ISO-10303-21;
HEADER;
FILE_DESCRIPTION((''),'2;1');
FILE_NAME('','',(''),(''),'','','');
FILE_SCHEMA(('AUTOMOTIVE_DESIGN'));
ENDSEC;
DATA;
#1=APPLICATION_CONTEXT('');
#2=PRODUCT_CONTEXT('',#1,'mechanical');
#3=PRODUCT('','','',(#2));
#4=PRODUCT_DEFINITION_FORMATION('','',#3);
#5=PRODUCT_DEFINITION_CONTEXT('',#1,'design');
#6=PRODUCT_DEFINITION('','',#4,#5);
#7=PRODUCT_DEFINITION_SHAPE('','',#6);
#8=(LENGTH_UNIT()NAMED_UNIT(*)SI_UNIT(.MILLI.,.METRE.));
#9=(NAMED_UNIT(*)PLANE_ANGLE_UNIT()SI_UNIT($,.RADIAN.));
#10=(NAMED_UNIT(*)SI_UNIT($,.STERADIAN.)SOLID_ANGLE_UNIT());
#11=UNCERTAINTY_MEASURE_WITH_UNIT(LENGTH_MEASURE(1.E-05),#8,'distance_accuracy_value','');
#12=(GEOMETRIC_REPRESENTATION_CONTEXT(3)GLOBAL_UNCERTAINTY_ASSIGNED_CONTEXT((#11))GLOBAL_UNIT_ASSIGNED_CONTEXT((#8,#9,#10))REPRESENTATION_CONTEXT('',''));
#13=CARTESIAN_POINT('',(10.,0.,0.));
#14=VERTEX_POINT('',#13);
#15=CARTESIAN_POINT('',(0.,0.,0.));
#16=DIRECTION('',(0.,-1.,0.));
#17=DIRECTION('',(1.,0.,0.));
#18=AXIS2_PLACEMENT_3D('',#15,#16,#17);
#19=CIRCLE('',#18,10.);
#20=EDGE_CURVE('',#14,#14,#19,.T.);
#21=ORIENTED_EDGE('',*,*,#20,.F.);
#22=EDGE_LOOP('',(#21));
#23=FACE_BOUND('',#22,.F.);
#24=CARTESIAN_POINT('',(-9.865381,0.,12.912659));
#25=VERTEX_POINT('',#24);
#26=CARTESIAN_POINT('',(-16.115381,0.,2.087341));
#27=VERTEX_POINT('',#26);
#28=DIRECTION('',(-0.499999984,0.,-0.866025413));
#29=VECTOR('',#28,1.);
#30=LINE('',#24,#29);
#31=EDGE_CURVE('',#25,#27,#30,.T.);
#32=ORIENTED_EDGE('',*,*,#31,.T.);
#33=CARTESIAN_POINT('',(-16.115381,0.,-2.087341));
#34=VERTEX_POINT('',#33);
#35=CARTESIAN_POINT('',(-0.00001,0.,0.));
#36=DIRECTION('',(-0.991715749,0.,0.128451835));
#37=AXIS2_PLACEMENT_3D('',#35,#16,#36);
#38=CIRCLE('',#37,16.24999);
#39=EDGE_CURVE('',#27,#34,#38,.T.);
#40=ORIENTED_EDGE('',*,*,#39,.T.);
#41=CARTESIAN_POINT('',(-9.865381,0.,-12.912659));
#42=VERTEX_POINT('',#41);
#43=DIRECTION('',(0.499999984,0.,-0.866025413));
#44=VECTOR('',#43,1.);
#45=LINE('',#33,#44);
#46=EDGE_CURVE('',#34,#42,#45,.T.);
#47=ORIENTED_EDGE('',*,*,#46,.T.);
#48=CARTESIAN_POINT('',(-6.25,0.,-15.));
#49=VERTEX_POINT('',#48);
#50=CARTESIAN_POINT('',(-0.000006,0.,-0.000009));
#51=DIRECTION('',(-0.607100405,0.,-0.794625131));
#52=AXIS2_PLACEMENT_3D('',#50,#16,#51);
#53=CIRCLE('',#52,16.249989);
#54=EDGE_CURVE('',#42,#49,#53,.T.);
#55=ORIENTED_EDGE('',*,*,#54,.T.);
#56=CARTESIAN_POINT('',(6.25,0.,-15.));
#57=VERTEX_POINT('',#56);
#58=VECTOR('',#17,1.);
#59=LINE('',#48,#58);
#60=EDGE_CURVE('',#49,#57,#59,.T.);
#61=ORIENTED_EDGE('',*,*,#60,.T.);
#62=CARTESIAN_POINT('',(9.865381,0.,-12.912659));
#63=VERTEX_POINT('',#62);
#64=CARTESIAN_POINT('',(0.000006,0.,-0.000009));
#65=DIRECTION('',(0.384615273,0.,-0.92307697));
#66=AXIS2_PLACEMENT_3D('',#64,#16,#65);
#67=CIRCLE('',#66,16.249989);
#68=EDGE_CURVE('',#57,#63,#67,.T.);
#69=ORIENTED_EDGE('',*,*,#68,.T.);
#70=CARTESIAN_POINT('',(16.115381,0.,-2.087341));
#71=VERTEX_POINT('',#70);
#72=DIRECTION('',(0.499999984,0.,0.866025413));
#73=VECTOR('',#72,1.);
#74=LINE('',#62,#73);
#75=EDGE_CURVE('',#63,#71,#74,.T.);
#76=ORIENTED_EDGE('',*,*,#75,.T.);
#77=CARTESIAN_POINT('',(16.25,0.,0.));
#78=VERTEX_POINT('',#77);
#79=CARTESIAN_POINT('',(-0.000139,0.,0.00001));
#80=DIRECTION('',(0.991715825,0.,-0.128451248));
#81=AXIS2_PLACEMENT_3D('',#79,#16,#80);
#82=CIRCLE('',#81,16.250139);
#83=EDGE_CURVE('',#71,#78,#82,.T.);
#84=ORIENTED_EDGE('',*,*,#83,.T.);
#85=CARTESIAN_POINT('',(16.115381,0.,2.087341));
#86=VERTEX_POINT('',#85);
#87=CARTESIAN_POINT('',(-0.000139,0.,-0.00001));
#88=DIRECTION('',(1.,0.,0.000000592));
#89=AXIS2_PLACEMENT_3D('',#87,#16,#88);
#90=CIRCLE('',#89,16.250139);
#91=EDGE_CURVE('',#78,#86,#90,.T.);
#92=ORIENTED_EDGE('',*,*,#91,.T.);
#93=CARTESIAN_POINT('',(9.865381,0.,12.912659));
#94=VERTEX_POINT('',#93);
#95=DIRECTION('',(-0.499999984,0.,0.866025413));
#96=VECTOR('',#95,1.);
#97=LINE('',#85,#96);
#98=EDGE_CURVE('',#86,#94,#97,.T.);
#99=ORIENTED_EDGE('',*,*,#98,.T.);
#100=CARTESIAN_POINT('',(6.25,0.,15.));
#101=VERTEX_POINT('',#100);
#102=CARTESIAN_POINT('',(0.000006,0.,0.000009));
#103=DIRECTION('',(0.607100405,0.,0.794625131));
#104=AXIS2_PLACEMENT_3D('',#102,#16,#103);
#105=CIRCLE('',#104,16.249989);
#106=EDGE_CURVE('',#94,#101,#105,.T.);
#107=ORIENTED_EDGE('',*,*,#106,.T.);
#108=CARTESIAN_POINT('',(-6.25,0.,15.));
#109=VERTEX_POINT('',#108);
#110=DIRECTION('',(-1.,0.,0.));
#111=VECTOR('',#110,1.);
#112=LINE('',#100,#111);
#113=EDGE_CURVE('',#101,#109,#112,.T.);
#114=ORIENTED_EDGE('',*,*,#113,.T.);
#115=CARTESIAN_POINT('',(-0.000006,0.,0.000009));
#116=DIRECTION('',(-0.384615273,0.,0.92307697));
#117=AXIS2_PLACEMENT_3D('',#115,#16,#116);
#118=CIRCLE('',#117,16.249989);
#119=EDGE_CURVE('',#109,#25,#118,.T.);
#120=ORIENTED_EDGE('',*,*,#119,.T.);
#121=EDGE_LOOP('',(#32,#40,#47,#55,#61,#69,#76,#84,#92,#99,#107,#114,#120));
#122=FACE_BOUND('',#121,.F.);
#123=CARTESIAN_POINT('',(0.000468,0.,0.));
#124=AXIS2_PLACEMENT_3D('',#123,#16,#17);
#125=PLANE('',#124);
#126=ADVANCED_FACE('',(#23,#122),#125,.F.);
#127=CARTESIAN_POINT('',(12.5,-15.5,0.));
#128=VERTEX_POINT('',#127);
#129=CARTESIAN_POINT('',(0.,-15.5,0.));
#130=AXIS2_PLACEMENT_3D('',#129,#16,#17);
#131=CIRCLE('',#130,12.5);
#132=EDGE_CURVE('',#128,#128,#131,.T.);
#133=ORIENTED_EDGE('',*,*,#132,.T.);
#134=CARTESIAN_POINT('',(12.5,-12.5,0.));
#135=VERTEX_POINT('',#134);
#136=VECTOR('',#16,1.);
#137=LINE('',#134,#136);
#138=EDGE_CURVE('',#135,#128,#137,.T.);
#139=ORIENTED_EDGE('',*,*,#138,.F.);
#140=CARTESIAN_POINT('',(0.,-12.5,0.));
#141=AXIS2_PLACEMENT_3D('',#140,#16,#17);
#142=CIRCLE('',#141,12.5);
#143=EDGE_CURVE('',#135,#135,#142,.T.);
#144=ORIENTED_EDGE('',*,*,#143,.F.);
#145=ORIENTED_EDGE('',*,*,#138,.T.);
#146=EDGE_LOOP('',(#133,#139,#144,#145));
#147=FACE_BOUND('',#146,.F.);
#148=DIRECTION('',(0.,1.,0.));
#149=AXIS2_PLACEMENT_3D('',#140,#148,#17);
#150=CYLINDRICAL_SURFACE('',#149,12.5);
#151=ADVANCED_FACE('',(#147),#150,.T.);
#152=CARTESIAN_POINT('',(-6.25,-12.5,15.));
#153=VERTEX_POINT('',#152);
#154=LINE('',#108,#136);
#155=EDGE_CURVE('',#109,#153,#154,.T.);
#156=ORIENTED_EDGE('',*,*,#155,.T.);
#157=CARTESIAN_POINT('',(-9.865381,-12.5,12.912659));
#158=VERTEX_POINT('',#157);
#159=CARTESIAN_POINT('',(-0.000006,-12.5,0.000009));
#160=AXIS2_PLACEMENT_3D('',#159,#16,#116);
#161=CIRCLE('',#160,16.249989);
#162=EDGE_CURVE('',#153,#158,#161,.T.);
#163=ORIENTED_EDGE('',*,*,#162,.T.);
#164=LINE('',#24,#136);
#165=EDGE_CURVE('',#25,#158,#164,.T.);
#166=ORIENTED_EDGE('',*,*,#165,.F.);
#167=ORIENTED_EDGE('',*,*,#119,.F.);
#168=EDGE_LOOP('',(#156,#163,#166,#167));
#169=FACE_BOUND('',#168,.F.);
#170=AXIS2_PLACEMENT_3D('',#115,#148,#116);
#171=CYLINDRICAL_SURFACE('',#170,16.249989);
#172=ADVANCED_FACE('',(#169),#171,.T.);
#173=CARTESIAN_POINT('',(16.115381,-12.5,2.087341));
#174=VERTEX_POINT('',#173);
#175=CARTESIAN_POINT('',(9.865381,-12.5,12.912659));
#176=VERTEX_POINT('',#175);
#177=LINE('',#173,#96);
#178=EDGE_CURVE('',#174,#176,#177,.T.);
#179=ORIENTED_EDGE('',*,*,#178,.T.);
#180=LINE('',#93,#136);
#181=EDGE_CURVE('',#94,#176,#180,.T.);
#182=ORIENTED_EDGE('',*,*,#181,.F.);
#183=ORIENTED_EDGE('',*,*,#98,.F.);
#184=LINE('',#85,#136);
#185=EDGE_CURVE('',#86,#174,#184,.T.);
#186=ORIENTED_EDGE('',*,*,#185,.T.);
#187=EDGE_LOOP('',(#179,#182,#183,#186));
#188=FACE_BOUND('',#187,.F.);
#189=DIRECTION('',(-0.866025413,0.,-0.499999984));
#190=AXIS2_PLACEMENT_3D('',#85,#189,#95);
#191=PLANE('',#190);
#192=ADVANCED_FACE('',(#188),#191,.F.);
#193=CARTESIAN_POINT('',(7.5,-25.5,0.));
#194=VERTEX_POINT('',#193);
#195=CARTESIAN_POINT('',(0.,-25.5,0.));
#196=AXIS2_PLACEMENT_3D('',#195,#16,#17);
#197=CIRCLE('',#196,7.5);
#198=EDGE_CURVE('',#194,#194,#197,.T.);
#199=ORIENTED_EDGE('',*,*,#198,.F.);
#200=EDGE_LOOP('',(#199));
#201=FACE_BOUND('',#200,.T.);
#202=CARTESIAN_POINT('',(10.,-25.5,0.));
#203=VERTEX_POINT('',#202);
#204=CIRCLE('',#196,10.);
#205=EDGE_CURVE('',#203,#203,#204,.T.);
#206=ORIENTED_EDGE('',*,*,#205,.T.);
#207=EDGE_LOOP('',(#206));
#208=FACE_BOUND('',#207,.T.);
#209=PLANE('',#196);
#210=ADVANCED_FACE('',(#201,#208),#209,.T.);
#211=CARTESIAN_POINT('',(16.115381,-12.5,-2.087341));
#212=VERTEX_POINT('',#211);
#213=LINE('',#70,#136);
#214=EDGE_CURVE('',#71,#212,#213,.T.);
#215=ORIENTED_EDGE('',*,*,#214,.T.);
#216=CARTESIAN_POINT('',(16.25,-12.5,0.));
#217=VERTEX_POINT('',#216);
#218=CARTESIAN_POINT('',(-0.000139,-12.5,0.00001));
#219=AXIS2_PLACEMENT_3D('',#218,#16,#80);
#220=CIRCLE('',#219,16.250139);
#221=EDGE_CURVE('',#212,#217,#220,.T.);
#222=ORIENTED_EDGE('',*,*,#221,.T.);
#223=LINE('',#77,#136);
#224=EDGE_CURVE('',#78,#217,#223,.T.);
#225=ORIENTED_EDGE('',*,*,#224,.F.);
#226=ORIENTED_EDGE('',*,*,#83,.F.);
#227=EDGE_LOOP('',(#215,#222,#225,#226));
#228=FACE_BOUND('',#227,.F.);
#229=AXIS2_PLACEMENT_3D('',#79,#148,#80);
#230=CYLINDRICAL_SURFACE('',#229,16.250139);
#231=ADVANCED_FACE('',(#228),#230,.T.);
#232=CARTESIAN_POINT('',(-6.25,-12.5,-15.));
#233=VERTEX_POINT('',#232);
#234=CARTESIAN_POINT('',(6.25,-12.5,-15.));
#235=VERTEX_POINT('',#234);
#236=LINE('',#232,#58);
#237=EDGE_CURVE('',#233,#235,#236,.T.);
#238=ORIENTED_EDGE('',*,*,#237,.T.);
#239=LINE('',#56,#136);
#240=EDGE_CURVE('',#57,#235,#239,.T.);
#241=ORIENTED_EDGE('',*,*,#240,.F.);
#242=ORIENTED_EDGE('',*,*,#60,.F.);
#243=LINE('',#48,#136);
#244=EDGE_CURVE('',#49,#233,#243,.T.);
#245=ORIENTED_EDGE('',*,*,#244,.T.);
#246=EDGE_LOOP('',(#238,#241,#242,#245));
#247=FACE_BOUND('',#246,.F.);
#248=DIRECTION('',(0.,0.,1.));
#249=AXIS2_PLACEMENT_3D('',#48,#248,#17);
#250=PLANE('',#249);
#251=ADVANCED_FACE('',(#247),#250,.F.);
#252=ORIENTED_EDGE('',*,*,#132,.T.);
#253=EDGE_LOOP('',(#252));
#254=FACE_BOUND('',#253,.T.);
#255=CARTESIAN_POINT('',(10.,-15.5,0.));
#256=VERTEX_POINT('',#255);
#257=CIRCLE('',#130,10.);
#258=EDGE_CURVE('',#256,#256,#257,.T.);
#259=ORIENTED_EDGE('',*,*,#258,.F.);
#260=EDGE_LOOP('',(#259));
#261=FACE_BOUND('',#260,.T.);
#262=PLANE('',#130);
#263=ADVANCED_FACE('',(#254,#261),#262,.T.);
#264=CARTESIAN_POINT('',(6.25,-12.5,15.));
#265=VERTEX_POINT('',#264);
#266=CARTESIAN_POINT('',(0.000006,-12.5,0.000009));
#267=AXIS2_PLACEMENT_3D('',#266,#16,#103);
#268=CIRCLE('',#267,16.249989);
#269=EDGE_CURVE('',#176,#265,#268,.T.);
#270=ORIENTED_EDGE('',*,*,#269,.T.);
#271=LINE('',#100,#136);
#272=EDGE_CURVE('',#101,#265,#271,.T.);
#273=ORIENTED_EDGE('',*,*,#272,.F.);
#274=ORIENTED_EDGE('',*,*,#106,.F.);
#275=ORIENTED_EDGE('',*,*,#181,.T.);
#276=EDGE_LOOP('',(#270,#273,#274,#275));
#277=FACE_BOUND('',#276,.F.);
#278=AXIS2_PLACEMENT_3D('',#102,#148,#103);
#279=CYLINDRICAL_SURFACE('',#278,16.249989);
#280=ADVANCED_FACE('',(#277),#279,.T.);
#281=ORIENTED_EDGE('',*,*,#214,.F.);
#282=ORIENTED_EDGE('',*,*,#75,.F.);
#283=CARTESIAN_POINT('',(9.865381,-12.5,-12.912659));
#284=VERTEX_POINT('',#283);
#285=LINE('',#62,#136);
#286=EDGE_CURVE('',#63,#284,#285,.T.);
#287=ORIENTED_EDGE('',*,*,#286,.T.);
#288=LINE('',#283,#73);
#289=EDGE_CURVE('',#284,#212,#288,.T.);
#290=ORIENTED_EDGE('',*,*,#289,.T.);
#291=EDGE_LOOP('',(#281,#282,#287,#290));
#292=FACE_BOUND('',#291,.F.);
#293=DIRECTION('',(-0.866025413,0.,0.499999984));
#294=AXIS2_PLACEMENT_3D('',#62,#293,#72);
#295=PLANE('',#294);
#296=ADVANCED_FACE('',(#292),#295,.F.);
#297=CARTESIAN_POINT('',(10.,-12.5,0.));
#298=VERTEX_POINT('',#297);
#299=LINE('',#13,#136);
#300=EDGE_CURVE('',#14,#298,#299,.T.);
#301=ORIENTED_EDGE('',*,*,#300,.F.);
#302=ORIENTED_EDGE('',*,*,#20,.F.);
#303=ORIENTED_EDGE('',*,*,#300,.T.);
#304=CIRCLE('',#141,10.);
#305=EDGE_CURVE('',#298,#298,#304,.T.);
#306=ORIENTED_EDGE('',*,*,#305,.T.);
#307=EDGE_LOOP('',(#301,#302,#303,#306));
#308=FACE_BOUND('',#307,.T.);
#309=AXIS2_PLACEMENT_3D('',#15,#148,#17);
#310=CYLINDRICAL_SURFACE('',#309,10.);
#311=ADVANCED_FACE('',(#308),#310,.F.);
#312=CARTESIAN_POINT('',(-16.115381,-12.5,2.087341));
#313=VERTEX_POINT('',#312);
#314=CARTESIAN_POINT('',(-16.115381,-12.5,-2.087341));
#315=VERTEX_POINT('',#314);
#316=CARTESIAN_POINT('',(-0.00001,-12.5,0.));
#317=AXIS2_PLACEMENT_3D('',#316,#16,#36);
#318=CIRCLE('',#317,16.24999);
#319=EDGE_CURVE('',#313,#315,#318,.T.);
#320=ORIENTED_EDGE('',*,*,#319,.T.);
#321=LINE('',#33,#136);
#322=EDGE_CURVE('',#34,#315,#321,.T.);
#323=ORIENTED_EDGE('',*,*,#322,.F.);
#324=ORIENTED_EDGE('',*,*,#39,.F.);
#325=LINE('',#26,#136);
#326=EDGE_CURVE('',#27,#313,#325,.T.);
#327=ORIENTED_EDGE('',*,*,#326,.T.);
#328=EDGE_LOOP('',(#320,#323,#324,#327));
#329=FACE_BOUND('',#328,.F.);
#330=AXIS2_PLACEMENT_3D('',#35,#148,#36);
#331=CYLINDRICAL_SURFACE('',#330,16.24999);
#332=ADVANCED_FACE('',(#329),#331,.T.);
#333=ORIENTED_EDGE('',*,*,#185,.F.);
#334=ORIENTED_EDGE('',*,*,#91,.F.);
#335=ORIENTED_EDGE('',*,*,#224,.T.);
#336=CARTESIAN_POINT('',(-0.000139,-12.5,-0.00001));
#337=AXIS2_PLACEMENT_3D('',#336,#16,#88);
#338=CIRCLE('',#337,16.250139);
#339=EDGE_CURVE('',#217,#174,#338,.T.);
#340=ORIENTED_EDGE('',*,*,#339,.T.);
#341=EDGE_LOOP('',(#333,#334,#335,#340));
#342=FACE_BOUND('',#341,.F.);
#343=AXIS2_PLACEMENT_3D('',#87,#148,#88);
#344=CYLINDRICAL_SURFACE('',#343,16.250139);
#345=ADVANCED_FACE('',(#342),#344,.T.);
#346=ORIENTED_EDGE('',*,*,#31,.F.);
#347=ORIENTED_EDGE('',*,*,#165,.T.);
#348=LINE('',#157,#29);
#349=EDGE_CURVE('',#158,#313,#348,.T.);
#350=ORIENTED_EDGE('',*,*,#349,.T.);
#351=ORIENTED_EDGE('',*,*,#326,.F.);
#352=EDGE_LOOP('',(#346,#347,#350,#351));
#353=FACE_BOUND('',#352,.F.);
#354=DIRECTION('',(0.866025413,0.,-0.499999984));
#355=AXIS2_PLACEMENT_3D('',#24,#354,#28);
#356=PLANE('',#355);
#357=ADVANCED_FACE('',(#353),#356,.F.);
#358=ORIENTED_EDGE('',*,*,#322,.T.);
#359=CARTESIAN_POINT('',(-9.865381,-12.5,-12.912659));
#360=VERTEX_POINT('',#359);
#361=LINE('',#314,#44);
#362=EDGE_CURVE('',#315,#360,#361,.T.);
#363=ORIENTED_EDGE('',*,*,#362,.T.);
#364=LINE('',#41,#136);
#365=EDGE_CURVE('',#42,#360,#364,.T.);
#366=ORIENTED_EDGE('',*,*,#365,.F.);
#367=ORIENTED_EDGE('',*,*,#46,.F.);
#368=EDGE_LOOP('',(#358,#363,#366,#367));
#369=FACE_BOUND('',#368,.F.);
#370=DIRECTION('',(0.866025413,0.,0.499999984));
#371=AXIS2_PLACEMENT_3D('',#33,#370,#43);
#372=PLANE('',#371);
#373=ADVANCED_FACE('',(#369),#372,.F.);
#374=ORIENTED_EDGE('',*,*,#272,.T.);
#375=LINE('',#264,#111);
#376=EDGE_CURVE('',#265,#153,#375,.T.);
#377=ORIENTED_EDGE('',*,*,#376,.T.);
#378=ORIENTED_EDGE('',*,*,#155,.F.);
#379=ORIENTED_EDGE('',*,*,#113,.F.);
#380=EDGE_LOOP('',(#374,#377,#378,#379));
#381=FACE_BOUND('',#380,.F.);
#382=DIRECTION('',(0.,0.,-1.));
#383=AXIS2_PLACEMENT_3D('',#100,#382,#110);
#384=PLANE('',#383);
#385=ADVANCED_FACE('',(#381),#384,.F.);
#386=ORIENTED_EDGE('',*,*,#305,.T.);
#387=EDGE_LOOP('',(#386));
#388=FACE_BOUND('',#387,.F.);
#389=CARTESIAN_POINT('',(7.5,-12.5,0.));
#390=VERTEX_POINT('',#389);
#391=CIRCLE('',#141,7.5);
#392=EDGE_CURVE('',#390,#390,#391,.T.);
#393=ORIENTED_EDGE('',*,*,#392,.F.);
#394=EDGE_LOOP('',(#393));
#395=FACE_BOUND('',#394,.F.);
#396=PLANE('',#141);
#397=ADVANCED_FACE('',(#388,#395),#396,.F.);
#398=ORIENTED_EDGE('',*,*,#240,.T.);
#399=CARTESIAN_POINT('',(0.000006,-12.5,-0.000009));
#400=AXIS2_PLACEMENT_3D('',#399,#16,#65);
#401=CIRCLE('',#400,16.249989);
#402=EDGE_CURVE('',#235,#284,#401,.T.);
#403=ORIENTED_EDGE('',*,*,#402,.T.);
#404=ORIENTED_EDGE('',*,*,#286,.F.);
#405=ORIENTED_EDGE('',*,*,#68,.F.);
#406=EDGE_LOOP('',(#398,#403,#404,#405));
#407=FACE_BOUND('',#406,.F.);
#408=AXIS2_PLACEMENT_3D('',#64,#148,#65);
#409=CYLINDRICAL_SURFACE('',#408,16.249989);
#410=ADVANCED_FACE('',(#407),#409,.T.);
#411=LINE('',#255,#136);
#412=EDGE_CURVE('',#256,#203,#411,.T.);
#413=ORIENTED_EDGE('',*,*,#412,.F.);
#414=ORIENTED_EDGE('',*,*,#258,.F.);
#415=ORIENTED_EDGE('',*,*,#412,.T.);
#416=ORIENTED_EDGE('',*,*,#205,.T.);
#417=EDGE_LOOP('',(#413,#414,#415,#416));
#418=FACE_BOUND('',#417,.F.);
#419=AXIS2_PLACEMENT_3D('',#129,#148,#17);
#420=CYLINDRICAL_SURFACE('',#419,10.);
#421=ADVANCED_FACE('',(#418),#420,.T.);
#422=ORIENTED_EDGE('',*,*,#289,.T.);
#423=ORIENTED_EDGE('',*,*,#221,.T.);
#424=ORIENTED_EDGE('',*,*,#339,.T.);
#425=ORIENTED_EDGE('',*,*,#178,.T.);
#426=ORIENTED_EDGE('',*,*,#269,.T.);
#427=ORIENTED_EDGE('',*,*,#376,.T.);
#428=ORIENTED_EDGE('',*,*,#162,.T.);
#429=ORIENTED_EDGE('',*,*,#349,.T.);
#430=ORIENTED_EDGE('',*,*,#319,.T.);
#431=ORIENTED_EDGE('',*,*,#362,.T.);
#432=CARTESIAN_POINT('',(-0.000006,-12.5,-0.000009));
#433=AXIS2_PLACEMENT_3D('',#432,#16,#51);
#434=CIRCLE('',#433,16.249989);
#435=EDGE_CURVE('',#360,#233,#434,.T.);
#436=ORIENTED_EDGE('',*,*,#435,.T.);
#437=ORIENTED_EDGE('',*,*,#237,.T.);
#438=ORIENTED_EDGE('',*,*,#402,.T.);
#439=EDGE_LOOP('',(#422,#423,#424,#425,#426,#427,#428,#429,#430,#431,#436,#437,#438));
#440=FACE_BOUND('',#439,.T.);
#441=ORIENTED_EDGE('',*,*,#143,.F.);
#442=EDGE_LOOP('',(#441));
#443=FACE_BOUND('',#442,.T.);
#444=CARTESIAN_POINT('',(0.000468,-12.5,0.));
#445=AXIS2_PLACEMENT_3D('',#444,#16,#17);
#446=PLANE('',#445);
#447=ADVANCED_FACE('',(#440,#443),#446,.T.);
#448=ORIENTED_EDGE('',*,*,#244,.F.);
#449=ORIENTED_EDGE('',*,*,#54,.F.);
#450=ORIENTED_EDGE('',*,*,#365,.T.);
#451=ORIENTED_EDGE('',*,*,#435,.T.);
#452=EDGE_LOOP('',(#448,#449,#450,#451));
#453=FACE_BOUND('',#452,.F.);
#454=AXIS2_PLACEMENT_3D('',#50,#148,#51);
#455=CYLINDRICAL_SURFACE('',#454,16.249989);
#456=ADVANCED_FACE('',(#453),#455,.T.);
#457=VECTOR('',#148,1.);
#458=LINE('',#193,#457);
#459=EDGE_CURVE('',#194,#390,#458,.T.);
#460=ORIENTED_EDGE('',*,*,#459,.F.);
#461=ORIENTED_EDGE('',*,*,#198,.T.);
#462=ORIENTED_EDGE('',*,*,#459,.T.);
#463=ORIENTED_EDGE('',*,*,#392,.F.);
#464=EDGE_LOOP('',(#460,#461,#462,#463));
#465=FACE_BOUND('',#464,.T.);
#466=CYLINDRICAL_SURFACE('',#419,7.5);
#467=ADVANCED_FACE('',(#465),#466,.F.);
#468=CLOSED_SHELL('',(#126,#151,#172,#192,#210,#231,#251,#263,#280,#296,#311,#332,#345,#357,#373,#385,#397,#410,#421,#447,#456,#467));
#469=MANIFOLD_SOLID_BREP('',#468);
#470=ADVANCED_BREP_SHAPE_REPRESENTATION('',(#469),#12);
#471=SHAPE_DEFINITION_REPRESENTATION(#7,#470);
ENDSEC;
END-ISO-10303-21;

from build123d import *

# Parameters (mm, degrees)
F0_R     = 10
F1_DEPTH = 12.5
F2_R     = 12.5
F2_R_2   = 7.5
F3_DEPTH = 3
F4_R     = 10
F4_R_2   = 7.5
F5_DEPTH = 10


with BuildPart() as f1:
    # F0 (on Front) → F1 (new body)
    with BuildSketch(Plane.XZ):
        with BuildLine():
            Line((6.25, 15), (-6.25, 15))
            ThreePointArc((-6.25, 15), (-8.125, 14.072913), (-9.865381, 12.912659))
            Line((-9.865381, 12.912659), (-16.115381, 2.087341))
            ThreePointArc((-16.115381, 2.087341), (-16.25, 0), (-16.115381, -2.087341))
            Line((-16.115381, -2.087341), (-9.865381, -12.912659))
            ThreePointArc((-9.865381, -12.912659), (-8.125, -14.072913), (-6.25, -15))
            Line((-6.25, -15), (6.25, -15))
            ThreePointArc((6.25, -15), (8.125, -14.072913), (9.865381, -12.912659))
            Line((9.865381, -12.912659), (16.115381, -2.087341))
            ThreePointArc((16.115381, -2.087341), (16.21631, -1.045839), (16.25, 0))
            ThreePointArc((16.25, 0), (16.21631, 1.045839), (16.115381, 2.087341))
            Line((16.115381, 2.087341), (9.865381, 12.912659))
            ThreePointArc((9.865381, 12.912659), (8.125, 14.072913), (6.25, 15))
        make_face()
        Circle(F0_R, mode=Mode.SUBTRACT)
    extrude(amount=F1_DEPTH)

    # F2 (on face) → F3 (join)
    with BuildSketch(Plane.XZ.offset(12.5)):
        Circle(F2_R)
        Circle(F2_R_2, mode=Mode.SUBTRACT)
    extrude(amount=F3_DEPTH)

    # F4 (on face) → F5 (join)
    with BuildSketch(Plane.XZ.offset(15.5)):
        Circle(F4_R)
        Circle(F4_R_2, mode=Mode.SUBTRACT)
    extrude(amount=F5_DEPTH)


solid = f1.part
